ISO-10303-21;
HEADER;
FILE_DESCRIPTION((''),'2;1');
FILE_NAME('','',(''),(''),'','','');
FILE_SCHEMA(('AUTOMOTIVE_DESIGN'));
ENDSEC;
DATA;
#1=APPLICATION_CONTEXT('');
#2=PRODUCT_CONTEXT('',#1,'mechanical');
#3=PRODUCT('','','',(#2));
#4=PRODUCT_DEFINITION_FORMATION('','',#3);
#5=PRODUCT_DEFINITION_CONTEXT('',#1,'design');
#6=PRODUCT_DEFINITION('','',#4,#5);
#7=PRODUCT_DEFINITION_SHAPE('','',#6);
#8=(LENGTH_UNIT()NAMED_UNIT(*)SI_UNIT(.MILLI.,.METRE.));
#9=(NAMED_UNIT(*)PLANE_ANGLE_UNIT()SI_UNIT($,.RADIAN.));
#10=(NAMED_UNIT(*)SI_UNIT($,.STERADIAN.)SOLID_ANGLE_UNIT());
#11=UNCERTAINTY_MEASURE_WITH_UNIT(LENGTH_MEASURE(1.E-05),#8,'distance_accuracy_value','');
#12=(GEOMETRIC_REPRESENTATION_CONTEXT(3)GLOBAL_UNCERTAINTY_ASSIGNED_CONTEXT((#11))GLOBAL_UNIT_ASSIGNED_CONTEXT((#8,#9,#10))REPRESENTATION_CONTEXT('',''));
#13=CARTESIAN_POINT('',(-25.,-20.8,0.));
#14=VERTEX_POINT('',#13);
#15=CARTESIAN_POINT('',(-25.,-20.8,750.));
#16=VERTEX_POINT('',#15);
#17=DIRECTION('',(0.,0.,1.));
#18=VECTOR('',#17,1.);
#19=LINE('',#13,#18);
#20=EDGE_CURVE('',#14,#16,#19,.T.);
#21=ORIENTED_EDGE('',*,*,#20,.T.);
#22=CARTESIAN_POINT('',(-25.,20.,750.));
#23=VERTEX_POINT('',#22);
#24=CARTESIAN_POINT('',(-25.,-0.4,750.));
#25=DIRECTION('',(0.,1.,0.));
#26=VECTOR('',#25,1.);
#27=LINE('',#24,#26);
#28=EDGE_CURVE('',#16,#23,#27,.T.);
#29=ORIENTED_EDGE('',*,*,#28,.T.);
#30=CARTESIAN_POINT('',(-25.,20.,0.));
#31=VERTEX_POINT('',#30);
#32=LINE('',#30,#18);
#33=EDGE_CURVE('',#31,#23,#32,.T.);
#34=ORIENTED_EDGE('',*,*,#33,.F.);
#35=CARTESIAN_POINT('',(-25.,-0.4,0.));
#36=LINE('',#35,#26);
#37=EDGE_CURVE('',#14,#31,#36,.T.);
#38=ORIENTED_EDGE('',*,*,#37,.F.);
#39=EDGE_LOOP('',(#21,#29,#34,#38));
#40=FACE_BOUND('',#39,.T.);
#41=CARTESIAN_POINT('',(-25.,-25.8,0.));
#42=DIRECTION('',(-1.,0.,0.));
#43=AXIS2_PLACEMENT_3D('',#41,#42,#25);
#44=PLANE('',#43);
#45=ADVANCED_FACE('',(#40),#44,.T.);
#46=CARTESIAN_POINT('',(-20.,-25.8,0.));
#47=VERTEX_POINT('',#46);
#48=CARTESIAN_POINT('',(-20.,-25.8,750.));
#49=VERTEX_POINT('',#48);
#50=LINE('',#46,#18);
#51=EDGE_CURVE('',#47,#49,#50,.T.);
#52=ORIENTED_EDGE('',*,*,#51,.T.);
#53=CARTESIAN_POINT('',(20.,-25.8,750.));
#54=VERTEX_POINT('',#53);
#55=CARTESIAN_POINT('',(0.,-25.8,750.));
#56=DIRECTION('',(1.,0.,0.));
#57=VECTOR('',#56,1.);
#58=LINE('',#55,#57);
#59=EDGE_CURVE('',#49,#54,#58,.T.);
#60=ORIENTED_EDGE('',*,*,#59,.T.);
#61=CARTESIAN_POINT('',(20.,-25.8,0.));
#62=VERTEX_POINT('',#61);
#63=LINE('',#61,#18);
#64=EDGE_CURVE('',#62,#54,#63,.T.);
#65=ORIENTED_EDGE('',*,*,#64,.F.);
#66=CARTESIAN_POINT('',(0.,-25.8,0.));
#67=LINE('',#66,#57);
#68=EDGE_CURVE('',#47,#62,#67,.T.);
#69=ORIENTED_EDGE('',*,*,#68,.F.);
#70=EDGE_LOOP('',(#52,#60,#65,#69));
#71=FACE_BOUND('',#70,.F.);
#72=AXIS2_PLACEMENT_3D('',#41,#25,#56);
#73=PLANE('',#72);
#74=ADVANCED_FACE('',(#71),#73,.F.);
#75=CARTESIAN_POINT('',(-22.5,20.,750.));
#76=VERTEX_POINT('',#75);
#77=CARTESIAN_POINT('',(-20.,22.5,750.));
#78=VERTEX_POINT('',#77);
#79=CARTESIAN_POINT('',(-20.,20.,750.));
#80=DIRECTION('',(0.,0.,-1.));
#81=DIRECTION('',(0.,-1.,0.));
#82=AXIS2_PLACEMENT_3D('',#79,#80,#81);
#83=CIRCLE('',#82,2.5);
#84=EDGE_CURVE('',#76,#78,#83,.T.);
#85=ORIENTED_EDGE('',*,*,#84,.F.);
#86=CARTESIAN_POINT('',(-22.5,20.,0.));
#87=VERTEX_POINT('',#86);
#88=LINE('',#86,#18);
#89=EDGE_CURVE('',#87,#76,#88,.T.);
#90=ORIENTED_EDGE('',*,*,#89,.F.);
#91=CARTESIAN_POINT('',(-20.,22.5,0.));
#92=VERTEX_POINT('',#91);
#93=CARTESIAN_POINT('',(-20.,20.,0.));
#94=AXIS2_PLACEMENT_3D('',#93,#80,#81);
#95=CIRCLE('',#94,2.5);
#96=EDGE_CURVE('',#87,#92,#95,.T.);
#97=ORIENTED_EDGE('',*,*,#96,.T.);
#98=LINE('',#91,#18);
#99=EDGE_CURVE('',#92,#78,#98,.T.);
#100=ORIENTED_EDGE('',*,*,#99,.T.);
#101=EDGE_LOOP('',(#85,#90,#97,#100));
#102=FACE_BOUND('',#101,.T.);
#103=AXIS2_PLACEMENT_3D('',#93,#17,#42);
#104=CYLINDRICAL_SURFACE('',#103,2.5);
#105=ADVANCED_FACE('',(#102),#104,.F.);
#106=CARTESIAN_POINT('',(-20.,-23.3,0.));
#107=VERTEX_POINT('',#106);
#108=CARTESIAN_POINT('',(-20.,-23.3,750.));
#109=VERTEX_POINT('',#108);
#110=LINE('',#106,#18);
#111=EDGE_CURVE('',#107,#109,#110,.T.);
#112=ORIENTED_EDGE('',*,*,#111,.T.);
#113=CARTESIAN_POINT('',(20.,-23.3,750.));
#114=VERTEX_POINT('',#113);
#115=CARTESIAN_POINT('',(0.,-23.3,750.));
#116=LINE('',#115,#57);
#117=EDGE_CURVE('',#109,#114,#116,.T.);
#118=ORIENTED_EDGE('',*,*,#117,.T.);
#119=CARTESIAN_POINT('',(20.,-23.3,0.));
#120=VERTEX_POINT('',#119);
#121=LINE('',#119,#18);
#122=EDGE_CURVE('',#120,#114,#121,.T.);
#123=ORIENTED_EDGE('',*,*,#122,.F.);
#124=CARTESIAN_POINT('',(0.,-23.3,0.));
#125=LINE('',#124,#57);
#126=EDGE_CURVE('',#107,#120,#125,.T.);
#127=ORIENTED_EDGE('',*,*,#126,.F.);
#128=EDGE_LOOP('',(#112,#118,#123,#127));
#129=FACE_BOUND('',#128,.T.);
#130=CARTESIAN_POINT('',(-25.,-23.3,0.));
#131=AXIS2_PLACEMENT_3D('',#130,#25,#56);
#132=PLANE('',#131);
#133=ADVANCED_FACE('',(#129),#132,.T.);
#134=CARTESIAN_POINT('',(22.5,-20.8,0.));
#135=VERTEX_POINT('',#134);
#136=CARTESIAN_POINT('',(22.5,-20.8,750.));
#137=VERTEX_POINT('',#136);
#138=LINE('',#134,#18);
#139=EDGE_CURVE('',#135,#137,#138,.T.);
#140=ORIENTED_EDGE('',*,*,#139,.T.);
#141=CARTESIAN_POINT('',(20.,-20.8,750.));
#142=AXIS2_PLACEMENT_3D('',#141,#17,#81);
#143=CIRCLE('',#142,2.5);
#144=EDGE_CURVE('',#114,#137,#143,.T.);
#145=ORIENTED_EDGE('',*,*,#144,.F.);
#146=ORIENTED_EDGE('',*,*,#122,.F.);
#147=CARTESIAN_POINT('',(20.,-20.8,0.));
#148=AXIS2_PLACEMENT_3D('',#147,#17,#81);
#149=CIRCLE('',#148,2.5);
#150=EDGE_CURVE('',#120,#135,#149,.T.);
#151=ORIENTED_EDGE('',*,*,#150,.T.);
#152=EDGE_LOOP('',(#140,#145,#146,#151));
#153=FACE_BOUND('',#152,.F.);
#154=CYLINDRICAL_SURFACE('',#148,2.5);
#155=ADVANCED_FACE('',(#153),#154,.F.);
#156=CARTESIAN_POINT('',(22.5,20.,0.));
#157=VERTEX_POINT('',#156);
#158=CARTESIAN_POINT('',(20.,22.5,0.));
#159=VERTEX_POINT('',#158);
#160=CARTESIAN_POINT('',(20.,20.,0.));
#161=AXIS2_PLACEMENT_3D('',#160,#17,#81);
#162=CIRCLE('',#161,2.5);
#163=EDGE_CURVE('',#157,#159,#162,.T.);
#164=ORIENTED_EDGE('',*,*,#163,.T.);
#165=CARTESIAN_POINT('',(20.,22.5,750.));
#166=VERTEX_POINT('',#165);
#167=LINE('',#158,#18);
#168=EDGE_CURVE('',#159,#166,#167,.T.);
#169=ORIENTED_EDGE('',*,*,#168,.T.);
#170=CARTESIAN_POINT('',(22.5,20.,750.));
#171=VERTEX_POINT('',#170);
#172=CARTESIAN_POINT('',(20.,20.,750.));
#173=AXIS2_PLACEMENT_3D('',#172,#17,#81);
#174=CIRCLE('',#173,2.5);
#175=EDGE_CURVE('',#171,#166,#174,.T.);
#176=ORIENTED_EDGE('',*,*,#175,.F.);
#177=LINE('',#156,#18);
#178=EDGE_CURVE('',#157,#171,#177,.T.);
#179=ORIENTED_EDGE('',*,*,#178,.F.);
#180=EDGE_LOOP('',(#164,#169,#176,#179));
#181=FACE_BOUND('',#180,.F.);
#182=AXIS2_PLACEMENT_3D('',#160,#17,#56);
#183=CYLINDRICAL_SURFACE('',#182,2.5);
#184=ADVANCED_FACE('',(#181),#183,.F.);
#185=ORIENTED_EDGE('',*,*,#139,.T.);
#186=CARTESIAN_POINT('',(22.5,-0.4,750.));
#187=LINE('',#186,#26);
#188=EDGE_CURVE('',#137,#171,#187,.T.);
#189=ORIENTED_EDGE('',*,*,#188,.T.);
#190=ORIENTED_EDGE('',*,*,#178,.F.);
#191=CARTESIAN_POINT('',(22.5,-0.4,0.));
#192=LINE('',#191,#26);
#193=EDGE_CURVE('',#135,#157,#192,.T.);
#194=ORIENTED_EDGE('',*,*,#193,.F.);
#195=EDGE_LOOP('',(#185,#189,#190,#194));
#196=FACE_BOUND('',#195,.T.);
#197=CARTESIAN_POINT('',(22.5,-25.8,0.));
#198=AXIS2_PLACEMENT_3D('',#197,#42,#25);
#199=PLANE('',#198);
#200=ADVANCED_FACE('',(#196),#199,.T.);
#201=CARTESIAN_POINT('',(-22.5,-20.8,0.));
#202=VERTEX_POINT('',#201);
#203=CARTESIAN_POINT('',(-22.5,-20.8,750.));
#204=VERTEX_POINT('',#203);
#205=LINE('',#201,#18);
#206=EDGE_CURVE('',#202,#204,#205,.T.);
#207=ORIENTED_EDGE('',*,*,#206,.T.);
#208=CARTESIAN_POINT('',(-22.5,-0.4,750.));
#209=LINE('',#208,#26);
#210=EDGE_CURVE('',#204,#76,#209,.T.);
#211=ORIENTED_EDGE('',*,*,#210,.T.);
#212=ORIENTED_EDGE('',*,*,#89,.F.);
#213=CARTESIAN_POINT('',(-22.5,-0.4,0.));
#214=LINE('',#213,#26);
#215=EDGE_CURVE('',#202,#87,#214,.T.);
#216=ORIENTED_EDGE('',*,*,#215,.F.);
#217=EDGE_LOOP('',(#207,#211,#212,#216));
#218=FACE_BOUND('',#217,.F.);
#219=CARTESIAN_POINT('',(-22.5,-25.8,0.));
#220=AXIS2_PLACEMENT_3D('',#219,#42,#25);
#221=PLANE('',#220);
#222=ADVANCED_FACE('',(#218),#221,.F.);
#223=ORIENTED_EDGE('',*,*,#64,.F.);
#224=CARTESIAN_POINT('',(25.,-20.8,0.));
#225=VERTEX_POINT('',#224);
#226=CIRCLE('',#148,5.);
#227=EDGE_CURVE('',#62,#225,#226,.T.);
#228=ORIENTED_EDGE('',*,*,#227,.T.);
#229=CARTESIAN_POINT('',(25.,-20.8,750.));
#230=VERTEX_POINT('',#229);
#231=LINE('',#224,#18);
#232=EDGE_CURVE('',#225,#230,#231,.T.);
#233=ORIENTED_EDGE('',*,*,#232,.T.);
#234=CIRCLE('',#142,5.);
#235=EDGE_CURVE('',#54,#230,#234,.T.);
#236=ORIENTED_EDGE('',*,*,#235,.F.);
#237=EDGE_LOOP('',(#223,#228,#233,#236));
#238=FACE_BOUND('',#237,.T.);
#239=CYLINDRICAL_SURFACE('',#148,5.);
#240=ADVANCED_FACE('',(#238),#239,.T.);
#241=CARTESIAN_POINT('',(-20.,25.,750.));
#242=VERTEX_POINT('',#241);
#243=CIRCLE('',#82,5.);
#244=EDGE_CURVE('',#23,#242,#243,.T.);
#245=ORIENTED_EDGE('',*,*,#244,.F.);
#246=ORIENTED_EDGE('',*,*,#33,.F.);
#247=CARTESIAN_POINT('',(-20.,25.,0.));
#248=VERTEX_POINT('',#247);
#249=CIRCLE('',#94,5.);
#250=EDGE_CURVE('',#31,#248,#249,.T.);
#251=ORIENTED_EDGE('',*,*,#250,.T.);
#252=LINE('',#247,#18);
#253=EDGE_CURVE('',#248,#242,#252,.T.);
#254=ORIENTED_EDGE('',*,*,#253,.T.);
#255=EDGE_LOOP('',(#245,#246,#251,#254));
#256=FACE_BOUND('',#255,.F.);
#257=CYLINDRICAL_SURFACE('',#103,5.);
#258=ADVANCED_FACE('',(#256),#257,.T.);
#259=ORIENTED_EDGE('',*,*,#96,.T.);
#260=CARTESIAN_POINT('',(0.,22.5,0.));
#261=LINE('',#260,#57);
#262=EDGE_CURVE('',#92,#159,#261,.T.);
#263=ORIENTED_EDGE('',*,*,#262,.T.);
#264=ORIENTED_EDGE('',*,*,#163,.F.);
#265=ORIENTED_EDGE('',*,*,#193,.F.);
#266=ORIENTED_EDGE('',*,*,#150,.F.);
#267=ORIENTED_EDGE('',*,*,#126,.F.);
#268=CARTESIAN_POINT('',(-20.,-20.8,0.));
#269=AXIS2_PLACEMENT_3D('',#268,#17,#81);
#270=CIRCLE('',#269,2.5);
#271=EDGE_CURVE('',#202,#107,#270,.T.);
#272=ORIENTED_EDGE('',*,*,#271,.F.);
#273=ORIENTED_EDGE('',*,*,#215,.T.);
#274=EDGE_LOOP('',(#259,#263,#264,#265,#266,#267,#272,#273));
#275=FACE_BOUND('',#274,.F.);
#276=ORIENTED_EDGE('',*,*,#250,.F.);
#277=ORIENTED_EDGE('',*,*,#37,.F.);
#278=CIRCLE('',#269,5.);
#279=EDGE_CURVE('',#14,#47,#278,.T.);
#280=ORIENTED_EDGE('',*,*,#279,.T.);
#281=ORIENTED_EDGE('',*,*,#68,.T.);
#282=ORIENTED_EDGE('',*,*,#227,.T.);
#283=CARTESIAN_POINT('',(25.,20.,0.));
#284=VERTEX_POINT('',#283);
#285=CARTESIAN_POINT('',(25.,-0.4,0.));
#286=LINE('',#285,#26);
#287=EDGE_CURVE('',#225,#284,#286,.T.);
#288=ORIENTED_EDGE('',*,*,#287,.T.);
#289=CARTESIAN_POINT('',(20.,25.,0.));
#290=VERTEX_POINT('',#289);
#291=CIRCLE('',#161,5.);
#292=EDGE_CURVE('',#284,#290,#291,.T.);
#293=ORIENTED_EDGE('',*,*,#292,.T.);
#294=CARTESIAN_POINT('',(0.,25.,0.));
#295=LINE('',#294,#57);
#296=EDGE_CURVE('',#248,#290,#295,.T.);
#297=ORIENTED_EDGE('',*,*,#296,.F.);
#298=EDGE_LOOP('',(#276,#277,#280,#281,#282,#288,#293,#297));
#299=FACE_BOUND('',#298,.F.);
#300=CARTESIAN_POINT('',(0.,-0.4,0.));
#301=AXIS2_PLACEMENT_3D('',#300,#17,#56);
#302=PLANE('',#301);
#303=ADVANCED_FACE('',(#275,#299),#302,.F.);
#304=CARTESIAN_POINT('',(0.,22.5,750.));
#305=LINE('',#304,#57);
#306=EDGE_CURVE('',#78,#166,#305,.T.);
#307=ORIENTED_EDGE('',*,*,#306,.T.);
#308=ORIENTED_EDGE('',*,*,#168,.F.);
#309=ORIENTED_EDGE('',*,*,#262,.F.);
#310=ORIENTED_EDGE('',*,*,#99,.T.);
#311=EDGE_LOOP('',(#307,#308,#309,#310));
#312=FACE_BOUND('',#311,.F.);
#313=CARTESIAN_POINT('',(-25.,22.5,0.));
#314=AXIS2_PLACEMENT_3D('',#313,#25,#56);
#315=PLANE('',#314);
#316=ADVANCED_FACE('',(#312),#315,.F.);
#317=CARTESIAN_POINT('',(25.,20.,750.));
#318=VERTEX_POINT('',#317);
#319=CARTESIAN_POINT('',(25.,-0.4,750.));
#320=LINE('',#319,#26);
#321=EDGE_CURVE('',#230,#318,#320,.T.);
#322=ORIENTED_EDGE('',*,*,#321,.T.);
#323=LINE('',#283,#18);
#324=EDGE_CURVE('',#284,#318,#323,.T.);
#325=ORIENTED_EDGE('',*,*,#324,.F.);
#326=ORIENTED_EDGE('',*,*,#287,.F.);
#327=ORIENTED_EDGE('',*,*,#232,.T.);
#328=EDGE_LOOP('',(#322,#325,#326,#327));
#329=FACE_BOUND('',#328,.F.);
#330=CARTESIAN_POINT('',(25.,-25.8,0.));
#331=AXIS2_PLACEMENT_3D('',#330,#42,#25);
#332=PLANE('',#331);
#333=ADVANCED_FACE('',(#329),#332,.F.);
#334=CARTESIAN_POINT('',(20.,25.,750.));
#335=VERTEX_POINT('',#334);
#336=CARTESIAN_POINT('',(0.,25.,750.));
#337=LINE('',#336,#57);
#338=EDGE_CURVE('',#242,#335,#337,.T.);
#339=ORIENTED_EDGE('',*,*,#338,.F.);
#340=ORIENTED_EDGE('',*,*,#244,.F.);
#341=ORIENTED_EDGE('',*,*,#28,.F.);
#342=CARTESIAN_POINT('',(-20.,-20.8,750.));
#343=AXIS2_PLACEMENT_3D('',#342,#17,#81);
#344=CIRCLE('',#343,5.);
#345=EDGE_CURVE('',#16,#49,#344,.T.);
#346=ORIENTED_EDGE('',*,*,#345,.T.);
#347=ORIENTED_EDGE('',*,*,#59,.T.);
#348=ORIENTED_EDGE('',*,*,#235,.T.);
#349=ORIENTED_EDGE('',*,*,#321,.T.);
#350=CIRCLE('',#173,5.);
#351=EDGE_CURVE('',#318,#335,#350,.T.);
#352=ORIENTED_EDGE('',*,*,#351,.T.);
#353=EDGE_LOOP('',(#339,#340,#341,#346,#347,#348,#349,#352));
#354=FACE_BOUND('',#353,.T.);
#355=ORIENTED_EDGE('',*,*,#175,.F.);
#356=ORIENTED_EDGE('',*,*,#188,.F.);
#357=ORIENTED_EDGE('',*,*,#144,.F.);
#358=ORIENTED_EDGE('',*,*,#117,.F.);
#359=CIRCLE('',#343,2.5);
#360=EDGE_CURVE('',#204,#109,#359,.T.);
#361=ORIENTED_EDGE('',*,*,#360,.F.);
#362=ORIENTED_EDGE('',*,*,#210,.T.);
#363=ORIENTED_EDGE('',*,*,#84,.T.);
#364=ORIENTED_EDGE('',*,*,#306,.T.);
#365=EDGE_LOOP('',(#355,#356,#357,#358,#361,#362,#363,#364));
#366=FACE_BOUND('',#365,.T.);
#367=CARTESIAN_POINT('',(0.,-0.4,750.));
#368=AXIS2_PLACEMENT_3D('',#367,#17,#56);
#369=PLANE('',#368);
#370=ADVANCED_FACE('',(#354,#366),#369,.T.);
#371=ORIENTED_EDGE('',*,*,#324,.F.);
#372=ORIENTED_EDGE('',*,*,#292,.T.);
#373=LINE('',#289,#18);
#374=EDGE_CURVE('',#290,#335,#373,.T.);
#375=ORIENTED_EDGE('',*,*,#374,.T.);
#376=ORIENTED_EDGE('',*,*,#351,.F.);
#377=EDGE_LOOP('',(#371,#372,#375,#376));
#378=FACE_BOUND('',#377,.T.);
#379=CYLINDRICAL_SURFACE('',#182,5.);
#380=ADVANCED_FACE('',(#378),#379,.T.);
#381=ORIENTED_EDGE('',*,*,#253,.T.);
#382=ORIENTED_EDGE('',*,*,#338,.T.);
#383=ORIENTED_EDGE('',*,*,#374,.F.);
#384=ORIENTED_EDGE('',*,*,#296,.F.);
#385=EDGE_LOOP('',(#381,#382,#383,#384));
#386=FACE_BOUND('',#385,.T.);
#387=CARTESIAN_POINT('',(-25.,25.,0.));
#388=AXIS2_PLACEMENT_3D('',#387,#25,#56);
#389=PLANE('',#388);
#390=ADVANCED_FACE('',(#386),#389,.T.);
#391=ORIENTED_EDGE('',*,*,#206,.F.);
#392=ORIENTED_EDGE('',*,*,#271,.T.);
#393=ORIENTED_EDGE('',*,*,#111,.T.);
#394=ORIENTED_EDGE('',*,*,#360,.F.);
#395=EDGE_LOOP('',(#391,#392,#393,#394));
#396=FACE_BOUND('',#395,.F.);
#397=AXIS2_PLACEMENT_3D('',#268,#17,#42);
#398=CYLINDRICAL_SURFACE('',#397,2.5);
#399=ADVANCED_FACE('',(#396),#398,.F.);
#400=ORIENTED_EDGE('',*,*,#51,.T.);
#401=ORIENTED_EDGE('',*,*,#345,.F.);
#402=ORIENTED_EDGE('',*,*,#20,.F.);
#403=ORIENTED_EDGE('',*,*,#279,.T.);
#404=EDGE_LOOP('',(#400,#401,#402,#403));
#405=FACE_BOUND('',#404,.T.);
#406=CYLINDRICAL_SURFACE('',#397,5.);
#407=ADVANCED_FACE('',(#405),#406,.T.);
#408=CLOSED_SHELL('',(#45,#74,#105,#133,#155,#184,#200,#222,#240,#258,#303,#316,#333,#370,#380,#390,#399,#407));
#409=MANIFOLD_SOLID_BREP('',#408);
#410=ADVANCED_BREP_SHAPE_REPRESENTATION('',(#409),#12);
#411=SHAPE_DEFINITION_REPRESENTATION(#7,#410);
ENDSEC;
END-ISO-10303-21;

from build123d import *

# Parameters (mm, degrees)
F0_W     = 50
F0_H     = 50.8
F1_DEPTH = 750
F2_R     = 5
F3_T     = -2.5


with BuildPart() as f1:
    # F0 (on Top) → F1 (new body)
    with BuildSketch(Plane.XY):
        with Locations((0, -0.4)):
            Rectangle(F0_W, F0_H)
    extrude(amount=F1_DEPTH)

    # F2
    f2_edges = [f1.edges().sort_by_distance(p)[0] for p in [
        (25, 25, 375),
        (25, -25.8, 375),
        (-25, 25, 375),
        (-25, -25.8, 375),
    ]]
    fillet(f2_edges, radius=F2_R)

    # F3
    f3_openings = [f1.faces().sort_by_distance(p)[0] for p in [
        (0, -0.4, 750),
        (0, -0.4, 0),
    ]]
    offset(amount=F3_T, openings=f3_openings)


solid = f1.part
